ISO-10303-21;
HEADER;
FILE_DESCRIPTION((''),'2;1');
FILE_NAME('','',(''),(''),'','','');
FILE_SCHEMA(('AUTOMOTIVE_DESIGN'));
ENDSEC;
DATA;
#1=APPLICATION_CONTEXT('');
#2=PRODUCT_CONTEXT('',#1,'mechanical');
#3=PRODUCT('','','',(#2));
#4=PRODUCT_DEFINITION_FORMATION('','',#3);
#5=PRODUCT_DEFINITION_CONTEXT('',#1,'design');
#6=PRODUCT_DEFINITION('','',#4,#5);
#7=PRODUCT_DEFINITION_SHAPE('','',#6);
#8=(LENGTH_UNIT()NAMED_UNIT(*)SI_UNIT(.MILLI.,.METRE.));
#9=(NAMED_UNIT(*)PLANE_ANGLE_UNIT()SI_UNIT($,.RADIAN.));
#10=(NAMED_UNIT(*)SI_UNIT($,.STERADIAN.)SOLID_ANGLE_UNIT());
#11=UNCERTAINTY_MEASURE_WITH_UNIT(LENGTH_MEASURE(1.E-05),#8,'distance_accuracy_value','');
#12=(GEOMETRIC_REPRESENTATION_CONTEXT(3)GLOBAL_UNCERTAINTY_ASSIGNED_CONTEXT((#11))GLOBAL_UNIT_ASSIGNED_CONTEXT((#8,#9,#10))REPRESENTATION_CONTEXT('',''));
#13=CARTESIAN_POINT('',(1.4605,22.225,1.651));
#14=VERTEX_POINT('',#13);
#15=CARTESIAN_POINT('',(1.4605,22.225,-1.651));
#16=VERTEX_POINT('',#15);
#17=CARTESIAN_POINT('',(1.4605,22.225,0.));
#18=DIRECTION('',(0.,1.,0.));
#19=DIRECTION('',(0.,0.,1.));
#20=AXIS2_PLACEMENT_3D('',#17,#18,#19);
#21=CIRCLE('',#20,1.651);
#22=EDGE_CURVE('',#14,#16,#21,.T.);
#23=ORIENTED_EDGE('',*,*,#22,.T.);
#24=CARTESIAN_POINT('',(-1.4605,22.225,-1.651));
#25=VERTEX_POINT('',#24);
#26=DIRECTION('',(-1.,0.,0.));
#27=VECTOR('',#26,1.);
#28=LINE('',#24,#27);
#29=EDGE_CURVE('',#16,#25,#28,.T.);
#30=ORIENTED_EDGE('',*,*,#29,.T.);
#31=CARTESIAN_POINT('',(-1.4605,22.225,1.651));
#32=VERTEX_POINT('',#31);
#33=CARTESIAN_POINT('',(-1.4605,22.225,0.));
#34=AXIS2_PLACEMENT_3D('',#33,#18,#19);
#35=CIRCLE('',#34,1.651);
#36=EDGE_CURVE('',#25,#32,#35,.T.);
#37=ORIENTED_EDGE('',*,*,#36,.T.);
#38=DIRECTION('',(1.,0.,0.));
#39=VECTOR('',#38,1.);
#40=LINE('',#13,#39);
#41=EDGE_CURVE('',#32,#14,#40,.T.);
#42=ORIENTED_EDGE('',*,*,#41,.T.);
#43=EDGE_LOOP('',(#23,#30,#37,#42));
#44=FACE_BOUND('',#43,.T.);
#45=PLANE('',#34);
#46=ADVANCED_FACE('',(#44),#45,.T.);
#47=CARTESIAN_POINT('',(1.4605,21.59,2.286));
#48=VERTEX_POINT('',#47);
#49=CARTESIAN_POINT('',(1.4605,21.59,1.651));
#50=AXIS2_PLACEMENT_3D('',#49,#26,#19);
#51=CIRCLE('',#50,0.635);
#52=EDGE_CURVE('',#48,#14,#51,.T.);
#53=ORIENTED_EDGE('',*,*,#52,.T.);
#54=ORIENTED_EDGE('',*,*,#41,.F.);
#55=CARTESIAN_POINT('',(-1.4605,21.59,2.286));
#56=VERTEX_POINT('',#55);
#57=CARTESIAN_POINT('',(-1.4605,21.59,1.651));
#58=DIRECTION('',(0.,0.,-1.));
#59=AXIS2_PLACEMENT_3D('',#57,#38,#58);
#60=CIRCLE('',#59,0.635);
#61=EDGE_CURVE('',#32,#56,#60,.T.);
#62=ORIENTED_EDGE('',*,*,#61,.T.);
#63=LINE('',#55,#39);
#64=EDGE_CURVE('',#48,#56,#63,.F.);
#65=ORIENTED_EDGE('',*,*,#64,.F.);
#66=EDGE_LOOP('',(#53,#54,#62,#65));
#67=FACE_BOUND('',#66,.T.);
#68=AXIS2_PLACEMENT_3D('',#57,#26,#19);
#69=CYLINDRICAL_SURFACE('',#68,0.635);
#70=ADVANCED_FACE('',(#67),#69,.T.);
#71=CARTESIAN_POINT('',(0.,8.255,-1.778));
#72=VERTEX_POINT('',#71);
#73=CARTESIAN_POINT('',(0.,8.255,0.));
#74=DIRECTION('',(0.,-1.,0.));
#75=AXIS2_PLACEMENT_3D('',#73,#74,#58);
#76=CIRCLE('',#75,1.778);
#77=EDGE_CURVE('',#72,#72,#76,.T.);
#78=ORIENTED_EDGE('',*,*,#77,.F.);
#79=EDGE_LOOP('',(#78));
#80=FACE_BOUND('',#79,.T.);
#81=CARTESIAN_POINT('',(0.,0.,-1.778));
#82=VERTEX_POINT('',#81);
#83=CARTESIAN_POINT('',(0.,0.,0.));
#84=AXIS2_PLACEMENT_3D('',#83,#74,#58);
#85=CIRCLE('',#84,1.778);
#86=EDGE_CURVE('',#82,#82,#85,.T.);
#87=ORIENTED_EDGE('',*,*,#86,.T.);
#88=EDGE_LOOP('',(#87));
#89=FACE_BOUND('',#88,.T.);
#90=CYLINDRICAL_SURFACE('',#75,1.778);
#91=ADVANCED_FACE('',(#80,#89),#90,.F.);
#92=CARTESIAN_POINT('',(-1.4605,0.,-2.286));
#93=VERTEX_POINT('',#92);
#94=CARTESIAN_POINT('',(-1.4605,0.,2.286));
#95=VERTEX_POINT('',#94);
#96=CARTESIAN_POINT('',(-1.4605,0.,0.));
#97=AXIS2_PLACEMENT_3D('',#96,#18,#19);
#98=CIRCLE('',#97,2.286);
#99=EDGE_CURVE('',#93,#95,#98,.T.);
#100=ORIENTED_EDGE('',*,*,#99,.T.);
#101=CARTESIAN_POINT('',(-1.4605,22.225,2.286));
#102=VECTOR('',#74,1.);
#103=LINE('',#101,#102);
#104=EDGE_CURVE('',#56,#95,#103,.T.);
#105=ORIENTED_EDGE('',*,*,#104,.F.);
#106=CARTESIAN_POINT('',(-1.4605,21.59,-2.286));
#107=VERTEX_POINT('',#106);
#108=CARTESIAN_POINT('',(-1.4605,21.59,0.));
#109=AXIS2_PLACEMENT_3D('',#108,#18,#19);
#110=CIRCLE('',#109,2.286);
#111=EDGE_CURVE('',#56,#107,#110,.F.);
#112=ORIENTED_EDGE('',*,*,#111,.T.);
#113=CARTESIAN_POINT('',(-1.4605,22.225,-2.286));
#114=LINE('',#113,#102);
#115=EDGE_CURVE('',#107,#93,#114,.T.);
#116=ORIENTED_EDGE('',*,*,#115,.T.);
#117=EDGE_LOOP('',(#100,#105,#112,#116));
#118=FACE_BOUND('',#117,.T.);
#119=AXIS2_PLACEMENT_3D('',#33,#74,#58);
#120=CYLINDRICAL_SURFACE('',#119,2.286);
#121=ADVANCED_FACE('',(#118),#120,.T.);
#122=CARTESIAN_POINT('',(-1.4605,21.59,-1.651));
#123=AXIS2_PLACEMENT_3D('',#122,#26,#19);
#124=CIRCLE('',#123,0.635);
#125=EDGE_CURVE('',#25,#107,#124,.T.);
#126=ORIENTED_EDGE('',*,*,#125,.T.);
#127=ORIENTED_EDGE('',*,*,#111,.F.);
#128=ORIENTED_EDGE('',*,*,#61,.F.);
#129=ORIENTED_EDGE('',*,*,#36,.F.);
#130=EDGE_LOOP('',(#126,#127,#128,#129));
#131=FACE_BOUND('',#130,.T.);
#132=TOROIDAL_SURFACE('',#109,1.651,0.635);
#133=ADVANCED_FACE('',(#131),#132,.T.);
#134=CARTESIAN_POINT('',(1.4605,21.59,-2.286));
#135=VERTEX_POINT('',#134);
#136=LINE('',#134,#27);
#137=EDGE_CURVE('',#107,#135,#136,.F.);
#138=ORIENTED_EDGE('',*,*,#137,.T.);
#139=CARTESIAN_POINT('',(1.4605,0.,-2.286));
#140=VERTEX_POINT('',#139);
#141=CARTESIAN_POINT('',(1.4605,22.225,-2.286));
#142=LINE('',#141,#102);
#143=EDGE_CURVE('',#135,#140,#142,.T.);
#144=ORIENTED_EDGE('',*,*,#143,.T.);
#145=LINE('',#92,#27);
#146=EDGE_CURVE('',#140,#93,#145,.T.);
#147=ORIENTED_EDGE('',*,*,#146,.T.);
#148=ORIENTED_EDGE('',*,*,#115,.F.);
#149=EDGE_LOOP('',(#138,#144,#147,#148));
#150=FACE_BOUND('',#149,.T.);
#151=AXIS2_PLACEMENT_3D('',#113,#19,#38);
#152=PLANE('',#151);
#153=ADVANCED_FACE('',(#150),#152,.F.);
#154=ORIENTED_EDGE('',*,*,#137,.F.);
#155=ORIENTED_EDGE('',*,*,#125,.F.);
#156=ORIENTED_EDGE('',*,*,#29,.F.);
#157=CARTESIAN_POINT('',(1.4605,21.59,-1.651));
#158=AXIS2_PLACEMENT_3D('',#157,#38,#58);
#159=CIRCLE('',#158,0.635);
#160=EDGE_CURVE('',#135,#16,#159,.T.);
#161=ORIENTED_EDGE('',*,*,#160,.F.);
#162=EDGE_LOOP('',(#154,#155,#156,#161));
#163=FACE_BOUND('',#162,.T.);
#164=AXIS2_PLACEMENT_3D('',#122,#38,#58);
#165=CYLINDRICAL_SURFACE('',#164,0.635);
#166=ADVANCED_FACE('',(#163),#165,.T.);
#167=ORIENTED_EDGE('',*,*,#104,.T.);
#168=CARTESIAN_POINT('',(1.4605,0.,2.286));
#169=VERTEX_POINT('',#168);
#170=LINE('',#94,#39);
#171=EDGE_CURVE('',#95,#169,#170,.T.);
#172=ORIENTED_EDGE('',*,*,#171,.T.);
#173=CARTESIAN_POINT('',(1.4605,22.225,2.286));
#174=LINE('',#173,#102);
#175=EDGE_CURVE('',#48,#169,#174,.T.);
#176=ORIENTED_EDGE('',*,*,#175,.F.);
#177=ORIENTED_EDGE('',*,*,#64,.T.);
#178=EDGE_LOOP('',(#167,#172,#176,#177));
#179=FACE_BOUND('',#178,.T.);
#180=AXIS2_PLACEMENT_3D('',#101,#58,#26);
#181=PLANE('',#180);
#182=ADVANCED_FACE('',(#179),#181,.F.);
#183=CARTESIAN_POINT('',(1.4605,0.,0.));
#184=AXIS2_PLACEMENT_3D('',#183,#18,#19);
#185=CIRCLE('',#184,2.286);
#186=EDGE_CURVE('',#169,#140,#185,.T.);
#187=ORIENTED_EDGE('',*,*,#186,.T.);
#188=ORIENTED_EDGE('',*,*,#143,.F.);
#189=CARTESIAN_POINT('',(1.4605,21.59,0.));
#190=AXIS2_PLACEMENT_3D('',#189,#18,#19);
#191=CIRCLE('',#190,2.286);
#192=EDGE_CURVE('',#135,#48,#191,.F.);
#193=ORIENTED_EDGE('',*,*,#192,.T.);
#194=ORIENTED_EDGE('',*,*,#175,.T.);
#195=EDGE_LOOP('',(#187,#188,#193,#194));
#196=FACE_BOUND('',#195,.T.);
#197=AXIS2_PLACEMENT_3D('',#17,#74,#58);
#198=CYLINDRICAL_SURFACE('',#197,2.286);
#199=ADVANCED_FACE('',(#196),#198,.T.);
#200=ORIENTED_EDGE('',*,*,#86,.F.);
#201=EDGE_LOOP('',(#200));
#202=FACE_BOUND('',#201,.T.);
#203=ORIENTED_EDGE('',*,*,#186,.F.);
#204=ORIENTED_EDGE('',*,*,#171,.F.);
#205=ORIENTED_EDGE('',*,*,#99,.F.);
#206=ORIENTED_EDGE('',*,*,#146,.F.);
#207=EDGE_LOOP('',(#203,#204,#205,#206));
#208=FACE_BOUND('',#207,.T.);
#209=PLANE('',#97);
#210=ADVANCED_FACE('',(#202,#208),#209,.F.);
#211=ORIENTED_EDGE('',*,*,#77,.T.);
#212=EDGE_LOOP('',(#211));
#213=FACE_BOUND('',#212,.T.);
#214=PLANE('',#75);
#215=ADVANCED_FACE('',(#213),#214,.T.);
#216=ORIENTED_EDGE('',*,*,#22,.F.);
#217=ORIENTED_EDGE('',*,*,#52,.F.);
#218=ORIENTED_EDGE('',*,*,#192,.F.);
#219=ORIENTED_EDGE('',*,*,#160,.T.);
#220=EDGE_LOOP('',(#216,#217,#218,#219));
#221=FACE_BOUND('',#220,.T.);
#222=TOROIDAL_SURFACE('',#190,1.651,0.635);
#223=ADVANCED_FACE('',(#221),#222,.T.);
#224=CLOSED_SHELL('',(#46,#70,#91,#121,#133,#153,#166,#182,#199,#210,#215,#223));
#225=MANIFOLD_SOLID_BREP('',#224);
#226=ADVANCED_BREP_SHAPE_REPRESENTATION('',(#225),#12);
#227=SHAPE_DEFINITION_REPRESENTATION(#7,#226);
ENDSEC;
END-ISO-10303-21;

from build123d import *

# Parameters (mm, degrees)
BOSS_EXTRUDE1_DEPTH = 22.225
FILLET1_R           = 0.635
SKETCH2_R           = 1.778
CUT_EXTRUDE3_DEPTH  = 8.255


with BuildPart() as part:
    # Sketch1 → Boss-Extrude1 (new body)
    with BuildSketch(Plane(origin=(0, 0, 0), x_dir=(1, 0, 0), z_dir=(0, 1, 0))):
        with BuildLine():
            Line((-1.4605, 2.286), (1.4605, 2.286))
            ThreePointArc((1.4605, 2.286), (3.7465, 0), (1.4605, -2.286))
            Line((1.4605, -2.286), (-1.4605, -2.286))
            ThreePointArc((-1.4605, -2.286), (-3.7465, 0), (-1.4605, 2.286))
        make_face()
    extrude(amount=BOSS_EXTRUDE1_DEPTH)

    # Fillet1
    fillet1_edges = [part.edges().sort_by_distance(p)[0] for p in [
        (3.7465, 22.225, 0),
        (0, 22.225, -2.286),
        (-3.7465, 22.225, 0),
        (0, 22.225, 2.286),
    ]]
    fillet(fillet1_edges, radius=FILLET1_R)

    # Sketch2 → Cut-Extrude3 (cut)
    with BuildSketch(Plane.XZ):
        Circle(SKETCH2_R)
    extrude(amount=-CUT_EXTRUDE3_DEPTH, mode=Mode.SUBTRACT)


solid = part.part
